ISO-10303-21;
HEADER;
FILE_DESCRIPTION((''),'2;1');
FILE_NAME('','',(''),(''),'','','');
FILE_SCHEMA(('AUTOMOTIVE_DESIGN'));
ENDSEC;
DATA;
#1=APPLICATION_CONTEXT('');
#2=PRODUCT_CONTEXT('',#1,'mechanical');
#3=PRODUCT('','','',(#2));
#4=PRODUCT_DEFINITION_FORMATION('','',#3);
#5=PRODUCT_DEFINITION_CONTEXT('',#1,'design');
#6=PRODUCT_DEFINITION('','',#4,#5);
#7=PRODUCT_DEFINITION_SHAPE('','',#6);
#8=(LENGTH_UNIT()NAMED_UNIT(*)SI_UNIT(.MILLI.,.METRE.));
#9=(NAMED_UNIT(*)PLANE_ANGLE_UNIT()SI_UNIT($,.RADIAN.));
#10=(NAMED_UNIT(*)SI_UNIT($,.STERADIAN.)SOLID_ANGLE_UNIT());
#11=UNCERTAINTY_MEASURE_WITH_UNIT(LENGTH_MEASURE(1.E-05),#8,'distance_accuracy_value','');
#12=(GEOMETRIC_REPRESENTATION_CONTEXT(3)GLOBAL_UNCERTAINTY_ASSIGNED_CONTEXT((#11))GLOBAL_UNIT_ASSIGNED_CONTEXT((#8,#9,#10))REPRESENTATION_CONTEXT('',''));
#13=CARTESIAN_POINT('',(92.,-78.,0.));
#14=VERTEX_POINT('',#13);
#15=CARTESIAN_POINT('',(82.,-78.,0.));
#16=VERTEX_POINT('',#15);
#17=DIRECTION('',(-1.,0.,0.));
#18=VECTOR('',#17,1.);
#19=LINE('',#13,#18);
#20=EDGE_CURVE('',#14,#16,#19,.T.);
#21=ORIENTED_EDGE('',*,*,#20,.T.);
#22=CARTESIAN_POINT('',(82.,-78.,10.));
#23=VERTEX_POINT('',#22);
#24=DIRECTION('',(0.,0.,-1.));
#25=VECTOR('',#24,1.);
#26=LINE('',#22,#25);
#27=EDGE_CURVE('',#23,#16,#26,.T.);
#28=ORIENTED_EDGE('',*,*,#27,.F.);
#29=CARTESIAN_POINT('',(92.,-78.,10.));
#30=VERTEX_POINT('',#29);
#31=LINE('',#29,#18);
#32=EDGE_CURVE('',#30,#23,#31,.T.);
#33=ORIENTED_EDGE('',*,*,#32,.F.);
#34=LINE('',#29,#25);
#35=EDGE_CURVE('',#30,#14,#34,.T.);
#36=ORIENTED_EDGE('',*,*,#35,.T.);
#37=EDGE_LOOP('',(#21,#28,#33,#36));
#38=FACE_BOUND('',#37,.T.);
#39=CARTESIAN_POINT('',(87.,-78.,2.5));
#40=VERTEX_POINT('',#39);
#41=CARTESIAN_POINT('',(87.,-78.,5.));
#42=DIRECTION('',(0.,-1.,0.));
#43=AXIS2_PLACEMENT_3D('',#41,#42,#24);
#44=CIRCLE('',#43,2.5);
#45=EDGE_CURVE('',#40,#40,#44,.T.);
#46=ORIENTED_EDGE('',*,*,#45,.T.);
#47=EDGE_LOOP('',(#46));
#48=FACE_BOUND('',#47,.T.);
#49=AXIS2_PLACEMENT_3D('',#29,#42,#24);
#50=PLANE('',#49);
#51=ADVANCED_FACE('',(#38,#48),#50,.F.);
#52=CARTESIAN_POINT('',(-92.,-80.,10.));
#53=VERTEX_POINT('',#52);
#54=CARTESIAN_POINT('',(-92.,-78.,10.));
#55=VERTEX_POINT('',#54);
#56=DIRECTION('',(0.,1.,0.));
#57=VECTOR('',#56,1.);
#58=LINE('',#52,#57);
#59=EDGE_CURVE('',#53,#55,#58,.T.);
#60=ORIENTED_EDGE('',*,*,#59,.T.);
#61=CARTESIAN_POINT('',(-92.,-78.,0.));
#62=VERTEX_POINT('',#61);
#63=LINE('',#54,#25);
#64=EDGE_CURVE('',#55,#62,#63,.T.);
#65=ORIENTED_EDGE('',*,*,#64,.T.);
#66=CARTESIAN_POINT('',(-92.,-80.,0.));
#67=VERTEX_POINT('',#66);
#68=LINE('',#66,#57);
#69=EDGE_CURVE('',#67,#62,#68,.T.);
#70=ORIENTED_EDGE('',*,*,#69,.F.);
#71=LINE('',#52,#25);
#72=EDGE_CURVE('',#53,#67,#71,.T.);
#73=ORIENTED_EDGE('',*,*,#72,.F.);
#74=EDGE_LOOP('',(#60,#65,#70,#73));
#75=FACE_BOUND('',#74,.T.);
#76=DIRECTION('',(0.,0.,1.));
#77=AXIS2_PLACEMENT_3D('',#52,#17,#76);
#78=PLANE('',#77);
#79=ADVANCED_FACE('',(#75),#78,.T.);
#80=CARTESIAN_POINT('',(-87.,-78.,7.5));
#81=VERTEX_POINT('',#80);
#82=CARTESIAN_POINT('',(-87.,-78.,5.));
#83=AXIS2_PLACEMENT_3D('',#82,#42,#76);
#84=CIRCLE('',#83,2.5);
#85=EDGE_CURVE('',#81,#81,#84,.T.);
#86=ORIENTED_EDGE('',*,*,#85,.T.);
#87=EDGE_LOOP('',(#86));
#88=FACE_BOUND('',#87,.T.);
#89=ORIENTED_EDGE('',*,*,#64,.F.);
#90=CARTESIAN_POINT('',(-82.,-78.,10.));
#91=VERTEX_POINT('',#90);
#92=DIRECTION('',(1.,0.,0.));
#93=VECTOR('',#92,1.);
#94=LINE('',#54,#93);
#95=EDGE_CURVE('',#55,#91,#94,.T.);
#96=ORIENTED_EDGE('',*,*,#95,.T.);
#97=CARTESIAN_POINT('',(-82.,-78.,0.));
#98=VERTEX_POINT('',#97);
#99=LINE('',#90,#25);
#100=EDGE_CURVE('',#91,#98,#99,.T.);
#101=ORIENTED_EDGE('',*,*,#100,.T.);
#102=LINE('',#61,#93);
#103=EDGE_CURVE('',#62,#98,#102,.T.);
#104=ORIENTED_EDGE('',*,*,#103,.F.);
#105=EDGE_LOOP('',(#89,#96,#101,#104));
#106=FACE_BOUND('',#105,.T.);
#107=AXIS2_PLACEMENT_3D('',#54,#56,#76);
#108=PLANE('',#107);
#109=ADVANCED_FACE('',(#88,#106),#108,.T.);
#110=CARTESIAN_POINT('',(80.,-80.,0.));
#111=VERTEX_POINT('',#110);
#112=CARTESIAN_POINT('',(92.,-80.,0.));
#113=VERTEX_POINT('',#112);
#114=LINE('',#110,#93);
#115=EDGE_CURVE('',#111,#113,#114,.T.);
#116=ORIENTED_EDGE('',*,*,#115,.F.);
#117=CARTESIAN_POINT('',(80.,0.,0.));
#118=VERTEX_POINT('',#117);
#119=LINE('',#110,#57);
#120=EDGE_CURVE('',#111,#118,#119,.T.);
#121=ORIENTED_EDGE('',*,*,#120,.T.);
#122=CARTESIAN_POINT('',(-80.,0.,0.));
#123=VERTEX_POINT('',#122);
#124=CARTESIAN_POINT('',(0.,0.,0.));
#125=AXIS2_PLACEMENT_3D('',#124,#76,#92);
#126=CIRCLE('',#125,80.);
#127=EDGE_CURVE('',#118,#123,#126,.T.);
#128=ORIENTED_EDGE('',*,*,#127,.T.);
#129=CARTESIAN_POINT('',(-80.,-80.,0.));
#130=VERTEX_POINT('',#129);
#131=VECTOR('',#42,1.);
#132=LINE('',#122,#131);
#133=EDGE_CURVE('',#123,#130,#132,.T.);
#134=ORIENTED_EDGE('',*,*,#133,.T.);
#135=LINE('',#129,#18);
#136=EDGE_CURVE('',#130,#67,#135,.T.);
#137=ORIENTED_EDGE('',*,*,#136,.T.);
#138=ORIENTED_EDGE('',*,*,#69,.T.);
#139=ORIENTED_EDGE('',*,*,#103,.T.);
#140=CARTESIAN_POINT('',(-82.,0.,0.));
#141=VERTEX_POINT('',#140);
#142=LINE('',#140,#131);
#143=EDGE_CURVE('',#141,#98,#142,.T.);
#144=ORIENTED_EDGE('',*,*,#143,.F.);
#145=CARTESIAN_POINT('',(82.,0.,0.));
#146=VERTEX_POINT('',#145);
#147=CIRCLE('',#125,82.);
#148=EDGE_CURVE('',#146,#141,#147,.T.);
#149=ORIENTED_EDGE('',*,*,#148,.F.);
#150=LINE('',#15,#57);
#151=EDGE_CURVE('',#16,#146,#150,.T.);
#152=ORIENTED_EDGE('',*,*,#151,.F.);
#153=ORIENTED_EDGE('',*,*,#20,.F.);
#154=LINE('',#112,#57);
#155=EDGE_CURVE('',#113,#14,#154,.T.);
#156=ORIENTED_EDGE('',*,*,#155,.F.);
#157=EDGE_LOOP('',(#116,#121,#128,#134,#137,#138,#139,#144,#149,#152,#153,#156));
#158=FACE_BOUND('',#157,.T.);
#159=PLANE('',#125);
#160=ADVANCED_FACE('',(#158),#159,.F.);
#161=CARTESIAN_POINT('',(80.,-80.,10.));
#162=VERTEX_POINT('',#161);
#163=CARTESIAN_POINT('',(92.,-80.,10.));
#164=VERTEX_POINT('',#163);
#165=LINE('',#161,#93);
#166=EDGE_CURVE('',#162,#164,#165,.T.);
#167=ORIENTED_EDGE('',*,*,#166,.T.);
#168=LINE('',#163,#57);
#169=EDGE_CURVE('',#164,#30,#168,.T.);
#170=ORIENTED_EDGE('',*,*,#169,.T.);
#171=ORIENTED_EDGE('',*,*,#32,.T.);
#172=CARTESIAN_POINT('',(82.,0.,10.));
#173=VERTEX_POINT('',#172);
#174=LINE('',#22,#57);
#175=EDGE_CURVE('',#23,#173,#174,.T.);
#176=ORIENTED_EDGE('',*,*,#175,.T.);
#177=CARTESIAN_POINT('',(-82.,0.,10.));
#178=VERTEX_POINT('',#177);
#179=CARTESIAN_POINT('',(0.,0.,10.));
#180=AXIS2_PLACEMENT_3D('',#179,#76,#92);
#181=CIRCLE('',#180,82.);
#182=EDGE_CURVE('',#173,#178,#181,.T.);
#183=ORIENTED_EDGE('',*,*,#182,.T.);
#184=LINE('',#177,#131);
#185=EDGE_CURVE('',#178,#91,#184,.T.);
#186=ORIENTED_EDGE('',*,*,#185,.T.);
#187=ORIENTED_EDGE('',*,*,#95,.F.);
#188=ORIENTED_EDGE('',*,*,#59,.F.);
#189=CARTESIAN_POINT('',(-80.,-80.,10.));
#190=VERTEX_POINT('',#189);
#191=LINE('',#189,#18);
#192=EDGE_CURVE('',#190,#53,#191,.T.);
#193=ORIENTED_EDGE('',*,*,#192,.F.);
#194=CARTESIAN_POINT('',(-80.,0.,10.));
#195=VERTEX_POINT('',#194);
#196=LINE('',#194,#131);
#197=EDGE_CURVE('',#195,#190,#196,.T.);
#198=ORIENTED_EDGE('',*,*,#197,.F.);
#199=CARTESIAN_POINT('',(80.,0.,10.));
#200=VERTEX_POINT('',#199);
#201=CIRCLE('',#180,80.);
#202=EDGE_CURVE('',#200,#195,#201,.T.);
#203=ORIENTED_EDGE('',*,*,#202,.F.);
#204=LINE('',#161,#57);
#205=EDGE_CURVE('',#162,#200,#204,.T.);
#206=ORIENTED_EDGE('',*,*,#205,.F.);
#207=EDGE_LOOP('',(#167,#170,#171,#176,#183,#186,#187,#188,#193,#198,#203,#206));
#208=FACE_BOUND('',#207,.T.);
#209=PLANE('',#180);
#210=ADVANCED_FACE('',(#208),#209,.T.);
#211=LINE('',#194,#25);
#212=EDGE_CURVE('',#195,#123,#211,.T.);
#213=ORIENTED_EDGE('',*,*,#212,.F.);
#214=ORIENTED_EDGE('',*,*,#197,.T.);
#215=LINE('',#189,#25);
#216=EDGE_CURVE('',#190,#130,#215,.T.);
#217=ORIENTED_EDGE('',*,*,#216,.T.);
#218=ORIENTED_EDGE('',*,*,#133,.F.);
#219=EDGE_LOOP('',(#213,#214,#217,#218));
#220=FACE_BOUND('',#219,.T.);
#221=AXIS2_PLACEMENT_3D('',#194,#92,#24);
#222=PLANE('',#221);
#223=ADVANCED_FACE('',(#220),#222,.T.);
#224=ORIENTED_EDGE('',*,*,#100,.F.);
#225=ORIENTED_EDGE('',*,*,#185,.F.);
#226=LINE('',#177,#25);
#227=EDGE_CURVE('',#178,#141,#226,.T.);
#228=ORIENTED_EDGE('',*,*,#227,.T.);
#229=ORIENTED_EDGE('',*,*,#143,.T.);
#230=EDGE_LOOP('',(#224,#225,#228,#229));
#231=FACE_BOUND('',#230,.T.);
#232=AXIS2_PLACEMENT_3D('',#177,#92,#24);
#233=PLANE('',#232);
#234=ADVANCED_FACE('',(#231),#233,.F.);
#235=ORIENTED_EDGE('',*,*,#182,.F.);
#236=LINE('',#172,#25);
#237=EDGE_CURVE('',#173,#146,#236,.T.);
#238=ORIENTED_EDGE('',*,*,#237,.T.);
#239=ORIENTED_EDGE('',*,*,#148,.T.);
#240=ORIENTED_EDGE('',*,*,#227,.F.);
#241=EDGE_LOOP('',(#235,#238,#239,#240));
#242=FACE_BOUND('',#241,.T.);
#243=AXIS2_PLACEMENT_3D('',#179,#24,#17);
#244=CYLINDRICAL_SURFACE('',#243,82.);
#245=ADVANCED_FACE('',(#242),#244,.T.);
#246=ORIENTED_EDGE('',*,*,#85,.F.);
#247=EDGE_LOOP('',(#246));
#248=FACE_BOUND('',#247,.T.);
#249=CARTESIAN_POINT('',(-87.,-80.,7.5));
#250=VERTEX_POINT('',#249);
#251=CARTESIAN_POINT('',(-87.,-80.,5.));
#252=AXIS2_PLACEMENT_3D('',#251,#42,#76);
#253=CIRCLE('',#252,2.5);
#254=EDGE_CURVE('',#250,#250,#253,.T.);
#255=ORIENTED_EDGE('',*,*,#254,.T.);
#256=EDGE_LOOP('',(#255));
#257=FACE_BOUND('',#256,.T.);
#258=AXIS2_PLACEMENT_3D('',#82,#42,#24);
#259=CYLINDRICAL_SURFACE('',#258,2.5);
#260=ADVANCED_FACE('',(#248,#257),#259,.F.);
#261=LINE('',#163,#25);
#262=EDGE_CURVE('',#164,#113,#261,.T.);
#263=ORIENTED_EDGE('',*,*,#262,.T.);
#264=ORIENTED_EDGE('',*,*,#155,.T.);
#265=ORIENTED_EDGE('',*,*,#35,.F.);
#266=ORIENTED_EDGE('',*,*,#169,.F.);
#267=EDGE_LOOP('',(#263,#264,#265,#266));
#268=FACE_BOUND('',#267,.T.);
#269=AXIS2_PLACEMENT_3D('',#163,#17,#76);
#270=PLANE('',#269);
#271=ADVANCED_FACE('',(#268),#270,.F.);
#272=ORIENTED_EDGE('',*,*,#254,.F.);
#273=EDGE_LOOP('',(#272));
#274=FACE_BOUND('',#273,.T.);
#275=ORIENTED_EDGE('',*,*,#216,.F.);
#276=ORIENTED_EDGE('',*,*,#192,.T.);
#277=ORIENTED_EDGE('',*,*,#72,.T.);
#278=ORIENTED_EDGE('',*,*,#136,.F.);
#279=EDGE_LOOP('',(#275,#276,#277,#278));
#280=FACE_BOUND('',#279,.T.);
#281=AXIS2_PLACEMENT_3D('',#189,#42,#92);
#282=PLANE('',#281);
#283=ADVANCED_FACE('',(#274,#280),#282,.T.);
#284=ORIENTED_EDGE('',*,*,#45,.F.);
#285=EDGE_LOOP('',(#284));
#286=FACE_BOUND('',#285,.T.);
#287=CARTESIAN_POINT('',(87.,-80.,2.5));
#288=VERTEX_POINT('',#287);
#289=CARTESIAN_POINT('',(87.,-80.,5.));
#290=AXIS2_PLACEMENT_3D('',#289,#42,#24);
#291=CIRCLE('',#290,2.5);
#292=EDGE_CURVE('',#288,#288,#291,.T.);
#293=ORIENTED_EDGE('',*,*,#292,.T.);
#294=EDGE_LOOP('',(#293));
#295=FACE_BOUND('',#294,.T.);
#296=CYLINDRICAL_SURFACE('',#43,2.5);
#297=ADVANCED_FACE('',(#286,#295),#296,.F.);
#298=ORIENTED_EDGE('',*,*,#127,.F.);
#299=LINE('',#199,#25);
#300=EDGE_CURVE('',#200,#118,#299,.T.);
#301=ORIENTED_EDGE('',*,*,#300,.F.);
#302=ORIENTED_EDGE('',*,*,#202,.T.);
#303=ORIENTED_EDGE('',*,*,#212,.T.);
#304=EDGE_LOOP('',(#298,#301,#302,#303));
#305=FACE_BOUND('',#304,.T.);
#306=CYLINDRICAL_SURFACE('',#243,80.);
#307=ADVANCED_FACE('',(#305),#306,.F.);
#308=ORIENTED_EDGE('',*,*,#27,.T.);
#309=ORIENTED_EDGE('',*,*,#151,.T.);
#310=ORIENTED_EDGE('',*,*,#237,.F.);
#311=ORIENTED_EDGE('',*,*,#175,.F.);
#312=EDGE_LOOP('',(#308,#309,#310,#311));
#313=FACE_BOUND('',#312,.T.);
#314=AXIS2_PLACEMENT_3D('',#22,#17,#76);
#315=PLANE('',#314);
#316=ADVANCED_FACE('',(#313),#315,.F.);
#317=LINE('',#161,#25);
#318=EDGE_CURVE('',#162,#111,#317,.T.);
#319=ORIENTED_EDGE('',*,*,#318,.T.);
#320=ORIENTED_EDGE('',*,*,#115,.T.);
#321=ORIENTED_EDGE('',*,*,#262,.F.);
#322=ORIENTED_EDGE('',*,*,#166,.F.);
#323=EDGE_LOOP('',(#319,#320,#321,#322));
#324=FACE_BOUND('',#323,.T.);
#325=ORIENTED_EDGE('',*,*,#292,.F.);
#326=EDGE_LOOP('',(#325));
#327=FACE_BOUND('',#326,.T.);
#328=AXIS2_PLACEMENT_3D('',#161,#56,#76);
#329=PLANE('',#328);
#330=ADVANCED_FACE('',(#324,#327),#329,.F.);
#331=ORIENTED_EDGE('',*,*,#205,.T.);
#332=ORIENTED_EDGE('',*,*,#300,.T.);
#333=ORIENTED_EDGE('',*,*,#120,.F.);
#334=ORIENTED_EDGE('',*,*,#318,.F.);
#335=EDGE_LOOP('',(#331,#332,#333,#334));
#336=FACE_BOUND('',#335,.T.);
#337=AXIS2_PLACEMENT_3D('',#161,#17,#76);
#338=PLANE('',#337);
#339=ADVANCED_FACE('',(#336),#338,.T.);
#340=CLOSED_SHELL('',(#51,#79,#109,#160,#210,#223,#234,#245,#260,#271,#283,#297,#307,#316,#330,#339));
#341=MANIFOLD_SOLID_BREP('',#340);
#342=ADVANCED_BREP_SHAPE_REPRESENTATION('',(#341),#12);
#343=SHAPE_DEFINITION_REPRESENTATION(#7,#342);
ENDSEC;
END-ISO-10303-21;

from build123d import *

# Parameters (mm, degrees)
Y_KSEKLIK_EKSTR_ZYON2_DEPTH = 10
IZIM2_R                     = 2.5
KES_EKSTR_ZYON1_DEPTH       = 2


with BuildPart() as part:
    # Çizim1 → Yükseklik-Ekstrüzyon2 (new body)
    with BuildSketch(Plane.XY):
        with BuildLine():
            Line((-80, 0), (-80, -80))
            Line((-80, -80), (-92, -80))
            Line((-92, -80), (-92, -78))
            Line((-92, -78), (-82, -78))
            Line((-82, -78), (-82, 0))
            ThreePointArc((-82, 0), (0, 82), (82, 0))
            Line((82, 0), (82, -78))
            Line((82, -78), (92, -78))
            Line((92, -78), (92, -80))
            Line((92, -80), (80, -80))
            Line((80, -80), (80, 0))
            ThreePointArc((80, 0), (0, 80), (-80, 0))
        make_face()
    extrude(amount=Y_KSEKLIK_EKSTR_ZYON2_DEPTH)

    # Çizim2 → Kes-Ekstrüzyon1 (cut)
    with BuildSketch(Plane.XZ.offset(80)):
        with Locations(Location((87, 5, 0), (0, 0, 270))):
            Circle(IZIM2_R)
        with Locations(Location((-87, 5, 0), (0, 0, 90))):
            Circle(IZIM2_R)
    extrude(amount=-KES_EKSTR_ZYON1_DEPTH, mode=Mode.SUBTRACT)


solid = part.part
